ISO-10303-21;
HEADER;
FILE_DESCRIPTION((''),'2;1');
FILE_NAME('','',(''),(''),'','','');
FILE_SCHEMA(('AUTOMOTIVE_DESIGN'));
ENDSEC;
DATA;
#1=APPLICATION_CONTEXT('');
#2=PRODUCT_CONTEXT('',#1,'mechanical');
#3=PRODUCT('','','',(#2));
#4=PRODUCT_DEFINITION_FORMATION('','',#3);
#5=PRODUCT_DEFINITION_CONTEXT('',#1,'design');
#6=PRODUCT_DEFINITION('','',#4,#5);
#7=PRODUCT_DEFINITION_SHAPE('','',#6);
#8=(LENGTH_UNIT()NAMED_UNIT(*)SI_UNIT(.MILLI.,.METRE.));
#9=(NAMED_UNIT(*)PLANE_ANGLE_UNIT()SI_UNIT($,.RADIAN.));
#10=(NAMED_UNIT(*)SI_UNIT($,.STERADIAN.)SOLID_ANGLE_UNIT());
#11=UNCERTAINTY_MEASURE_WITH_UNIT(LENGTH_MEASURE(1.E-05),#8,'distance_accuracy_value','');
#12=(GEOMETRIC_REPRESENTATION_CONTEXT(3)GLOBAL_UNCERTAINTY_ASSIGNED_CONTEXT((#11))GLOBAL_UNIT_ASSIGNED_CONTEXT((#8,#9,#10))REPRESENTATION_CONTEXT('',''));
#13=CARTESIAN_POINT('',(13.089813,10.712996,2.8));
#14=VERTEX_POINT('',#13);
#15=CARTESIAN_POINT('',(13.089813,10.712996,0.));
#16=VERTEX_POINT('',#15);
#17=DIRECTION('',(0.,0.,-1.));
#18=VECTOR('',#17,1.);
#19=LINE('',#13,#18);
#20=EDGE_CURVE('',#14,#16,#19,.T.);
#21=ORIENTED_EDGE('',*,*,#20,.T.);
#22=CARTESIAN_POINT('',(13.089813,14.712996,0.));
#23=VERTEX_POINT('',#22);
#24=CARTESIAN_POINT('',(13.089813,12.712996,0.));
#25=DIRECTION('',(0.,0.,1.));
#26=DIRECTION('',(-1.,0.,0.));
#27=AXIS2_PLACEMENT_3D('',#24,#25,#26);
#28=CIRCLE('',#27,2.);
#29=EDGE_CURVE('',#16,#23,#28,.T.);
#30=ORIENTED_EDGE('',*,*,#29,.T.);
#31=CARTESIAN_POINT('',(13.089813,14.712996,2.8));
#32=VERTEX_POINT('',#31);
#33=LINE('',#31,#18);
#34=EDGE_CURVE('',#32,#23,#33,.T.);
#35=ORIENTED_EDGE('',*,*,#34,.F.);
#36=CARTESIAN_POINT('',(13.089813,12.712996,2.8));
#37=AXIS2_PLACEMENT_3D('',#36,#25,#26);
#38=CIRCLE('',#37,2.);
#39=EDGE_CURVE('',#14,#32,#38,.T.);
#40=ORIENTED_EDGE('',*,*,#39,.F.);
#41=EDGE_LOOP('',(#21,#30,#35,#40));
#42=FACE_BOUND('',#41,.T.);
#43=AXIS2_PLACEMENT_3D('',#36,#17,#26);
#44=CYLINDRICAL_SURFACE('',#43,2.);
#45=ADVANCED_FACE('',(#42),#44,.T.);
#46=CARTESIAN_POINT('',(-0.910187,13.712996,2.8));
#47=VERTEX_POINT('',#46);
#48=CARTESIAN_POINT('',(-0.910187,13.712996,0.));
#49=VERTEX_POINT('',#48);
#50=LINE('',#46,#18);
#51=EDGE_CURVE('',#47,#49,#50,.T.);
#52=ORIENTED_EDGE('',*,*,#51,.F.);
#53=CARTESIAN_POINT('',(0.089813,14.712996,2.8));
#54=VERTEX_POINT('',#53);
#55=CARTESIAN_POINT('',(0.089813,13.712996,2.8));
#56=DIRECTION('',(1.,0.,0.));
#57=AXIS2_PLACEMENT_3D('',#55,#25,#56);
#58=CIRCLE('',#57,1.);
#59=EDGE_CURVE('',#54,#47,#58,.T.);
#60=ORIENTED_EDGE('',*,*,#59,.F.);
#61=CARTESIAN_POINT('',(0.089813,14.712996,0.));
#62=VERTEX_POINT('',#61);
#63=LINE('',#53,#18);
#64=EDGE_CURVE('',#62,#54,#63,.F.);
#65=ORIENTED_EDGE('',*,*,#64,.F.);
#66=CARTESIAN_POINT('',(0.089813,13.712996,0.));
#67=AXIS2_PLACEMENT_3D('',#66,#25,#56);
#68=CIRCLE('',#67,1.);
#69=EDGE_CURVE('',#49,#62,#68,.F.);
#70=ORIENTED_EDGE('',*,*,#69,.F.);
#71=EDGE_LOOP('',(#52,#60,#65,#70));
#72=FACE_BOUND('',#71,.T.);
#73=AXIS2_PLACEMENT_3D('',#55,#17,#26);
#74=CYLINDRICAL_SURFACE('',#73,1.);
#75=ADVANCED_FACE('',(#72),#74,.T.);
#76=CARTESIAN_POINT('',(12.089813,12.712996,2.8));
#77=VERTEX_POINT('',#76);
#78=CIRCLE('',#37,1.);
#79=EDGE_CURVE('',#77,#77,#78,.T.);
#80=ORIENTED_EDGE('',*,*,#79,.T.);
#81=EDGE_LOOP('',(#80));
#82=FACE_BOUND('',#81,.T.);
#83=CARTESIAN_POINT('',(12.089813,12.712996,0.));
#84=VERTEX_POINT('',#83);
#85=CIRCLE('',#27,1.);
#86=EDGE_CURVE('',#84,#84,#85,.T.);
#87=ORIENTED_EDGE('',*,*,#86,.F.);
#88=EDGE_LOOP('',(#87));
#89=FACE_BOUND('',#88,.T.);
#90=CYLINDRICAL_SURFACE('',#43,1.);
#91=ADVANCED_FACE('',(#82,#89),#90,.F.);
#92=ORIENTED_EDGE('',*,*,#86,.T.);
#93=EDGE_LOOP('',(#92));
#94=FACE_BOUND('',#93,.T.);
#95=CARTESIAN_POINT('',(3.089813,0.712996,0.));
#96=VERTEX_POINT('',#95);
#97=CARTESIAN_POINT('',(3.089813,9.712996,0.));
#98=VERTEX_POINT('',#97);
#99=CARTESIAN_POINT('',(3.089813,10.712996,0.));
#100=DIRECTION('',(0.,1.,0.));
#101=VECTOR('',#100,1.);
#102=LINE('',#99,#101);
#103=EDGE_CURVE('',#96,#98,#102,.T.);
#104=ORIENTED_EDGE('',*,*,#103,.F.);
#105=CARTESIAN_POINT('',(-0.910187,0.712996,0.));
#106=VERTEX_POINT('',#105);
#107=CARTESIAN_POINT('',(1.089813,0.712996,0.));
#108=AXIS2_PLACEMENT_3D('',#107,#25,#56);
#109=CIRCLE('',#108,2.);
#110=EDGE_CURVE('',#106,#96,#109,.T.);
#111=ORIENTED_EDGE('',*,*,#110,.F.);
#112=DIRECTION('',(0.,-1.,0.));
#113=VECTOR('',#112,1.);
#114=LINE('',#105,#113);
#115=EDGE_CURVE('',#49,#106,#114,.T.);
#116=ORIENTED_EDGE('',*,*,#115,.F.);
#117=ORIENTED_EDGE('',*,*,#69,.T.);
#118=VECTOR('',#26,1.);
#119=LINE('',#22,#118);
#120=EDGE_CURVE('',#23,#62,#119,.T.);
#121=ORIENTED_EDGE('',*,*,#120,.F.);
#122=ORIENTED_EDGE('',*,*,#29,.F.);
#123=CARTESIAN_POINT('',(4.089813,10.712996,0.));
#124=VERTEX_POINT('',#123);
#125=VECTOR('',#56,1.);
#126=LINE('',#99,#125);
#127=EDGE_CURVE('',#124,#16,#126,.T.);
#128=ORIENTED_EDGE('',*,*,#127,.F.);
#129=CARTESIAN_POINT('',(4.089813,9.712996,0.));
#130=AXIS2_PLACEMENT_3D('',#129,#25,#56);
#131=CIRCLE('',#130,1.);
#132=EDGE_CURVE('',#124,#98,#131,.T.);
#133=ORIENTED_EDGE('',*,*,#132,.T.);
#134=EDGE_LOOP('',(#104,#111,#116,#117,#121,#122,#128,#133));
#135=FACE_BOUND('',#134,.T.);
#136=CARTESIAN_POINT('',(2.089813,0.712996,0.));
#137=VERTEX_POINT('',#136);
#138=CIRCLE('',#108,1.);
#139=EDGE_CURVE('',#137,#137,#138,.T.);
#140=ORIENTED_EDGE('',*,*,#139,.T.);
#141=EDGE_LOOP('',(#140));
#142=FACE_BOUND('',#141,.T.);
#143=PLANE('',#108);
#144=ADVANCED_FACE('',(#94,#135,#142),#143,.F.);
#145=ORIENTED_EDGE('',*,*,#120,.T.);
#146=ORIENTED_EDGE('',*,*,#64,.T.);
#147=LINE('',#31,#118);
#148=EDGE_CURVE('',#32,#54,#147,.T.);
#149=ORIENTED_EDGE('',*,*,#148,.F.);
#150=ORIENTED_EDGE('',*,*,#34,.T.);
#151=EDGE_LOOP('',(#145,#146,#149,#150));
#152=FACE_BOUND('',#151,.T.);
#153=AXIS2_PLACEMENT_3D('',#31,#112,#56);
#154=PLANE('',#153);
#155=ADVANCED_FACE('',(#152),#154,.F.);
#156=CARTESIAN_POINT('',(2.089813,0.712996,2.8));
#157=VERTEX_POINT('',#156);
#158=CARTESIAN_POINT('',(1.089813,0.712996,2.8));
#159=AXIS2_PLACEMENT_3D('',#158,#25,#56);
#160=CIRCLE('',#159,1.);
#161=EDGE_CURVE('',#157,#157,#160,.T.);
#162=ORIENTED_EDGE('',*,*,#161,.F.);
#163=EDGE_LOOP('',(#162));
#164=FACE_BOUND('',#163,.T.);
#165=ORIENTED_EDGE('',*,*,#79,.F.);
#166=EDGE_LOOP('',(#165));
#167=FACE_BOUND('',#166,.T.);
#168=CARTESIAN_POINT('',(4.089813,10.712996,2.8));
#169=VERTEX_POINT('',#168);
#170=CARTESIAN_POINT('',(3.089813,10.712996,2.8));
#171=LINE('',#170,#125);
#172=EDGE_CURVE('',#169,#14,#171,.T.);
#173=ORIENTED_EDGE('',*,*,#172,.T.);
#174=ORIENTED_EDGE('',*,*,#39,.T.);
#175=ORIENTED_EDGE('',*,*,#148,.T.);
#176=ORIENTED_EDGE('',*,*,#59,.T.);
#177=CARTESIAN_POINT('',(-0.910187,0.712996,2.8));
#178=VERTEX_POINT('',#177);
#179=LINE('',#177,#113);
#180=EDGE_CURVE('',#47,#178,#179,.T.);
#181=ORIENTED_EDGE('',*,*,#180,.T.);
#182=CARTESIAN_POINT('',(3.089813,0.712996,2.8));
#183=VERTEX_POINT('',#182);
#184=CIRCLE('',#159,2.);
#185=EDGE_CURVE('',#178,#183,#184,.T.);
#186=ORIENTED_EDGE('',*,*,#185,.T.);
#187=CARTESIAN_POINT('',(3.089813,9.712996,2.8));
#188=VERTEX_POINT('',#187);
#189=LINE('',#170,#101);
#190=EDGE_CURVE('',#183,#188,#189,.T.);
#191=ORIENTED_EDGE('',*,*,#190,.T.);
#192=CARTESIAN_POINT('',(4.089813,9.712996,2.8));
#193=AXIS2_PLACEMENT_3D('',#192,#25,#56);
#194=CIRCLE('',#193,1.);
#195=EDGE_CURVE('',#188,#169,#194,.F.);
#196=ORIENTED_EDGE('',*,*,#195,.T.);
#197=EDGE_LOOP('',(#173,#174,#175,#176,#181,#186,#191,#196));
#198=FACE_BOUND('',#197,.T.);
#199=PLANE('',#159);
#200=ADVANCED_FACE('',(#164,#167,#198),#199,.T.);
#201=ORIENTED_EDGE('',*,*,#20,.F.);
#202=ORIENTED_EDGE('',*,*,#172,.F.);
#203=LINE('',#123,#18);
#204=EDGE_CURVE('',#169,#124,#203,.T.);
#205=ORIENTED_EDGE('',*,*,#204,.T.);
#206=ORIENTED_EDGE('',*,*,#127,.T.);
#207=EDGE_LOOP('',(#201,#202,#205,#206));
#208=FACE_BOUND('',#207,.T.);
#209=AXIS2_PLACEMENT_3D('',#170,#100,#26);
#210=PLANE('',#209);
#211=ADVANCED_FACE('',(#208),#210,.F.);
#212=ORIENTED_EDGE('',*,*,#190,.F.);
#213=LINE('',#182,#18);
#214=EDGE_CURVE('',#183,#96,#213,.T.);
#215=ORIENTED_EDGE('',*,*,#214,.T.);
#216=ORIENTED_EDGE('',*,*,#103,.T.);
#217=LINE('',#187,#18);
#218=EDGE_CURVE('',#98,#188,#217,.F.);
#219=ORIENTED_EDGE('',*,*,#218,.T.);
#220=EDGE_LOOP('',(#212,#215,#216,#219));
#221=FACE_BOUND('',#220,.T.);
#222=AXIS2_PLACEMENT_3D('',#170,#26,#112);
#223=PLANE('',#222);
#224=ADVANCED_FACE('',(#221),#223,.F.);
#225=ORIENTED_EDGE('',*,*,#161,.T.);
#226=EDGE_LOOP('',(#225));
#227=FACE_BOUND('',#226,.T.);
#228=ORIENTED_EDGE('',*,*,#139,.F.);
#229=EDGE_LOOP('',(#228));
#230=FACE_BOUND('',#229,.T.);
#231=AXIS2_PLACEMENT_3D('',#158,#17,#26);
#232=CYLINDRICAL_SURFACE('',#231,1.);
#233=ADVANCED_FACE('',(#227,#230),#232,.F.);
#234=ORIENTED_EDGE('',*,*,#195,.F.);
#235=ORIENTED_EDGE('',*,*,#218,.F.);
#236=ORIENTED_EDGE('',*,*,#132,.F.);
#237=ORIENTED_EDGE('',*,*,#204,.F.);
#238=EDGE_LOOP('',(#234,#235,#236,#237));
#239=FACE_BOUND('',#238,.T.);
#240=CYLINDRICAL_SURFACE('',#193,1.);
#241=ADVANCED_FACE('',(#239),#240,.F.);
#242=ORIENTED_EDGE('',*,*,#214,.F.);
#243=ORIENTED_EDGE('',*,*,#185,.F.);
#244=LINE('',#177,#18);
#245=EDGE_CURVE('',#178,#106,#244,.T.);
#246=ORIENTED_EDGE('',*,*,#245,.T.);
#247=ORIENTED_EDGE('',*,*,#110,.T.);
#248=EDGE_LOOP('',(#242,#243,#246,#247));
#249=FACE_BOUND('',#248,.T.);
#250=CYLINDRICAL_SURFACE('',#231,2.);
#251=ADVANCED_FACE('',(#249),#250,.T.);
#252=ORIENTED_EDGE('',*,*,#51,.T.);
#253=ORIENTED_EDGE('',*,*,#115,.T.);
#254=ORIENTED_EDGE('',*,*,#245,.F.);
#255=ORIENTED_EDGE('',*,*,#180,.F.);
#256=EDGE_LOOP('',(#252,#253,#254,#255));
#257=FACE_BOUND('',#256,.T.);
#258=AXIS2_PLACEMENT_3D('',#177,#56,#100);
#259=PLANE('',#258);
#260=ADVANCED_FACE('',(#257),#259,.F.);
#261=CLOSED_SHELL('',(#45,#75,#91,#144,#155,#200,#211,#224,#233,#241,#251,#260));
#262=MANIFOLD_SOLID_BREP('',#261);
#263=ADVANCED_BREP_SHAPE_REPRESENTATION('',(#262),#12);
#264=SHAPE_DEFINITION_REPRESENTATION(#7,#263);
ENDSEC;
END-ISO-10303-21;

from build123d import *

# Parameters (mm, degrees)
SKETCH1_R           = 1
BOSS_EXTRUDE2_DEPTH = 2.8
FILLET1_R           = 1


with BuildPart() as part:
    # Sketch1 → Boss-Extrude2 (new body)
    with BuildSketch(Plane.XY):
        with BuildLine():
            Line((-0.910186913, 0.71299639), (-0.910186913, 14.71299639))
            Line((-0.910186913, 14.71299639), (13.089813087, 14.71299639))
            ThreePointArc((13.089813087, 14.71299639), (15.089813087, 12.71299639), (13.089813087, 10.71299639))
            Line((13.089813087, 10.71299639), (3.089813087, 10.71299639))
            Line((3.089813087, 10.71299639), (3.089813087, 0.71299639))
            ThreePointArc((3.089813087, 0.71299639), (1.089813087, -1.28700361), (-0.910186913, 0.71299639))
        make_face()
        with Locations((1.089813087, 0.71299639)):
            Circle(SKETCH1_R, mode=Mode.SUBTRACT)
        with Locations((13.089813087, 12.71299639)):
            Circle(SKETCH1_R, mode=Mode.SUBTRACT)
    extrude(amount=BOSS_EXTRUDE2_DEPTH)

    # Fillet1
    fillet1_edges = [part.edges().sort_by_distance(p)[0] for p in [
        (3.089813087, 10.71299639, 1.4),
        (-0.910186913, 14.71299639, 1.4),
    ]]
    fillet(fillet1_edges, radius=FILLET1_R)


solid = part.part
